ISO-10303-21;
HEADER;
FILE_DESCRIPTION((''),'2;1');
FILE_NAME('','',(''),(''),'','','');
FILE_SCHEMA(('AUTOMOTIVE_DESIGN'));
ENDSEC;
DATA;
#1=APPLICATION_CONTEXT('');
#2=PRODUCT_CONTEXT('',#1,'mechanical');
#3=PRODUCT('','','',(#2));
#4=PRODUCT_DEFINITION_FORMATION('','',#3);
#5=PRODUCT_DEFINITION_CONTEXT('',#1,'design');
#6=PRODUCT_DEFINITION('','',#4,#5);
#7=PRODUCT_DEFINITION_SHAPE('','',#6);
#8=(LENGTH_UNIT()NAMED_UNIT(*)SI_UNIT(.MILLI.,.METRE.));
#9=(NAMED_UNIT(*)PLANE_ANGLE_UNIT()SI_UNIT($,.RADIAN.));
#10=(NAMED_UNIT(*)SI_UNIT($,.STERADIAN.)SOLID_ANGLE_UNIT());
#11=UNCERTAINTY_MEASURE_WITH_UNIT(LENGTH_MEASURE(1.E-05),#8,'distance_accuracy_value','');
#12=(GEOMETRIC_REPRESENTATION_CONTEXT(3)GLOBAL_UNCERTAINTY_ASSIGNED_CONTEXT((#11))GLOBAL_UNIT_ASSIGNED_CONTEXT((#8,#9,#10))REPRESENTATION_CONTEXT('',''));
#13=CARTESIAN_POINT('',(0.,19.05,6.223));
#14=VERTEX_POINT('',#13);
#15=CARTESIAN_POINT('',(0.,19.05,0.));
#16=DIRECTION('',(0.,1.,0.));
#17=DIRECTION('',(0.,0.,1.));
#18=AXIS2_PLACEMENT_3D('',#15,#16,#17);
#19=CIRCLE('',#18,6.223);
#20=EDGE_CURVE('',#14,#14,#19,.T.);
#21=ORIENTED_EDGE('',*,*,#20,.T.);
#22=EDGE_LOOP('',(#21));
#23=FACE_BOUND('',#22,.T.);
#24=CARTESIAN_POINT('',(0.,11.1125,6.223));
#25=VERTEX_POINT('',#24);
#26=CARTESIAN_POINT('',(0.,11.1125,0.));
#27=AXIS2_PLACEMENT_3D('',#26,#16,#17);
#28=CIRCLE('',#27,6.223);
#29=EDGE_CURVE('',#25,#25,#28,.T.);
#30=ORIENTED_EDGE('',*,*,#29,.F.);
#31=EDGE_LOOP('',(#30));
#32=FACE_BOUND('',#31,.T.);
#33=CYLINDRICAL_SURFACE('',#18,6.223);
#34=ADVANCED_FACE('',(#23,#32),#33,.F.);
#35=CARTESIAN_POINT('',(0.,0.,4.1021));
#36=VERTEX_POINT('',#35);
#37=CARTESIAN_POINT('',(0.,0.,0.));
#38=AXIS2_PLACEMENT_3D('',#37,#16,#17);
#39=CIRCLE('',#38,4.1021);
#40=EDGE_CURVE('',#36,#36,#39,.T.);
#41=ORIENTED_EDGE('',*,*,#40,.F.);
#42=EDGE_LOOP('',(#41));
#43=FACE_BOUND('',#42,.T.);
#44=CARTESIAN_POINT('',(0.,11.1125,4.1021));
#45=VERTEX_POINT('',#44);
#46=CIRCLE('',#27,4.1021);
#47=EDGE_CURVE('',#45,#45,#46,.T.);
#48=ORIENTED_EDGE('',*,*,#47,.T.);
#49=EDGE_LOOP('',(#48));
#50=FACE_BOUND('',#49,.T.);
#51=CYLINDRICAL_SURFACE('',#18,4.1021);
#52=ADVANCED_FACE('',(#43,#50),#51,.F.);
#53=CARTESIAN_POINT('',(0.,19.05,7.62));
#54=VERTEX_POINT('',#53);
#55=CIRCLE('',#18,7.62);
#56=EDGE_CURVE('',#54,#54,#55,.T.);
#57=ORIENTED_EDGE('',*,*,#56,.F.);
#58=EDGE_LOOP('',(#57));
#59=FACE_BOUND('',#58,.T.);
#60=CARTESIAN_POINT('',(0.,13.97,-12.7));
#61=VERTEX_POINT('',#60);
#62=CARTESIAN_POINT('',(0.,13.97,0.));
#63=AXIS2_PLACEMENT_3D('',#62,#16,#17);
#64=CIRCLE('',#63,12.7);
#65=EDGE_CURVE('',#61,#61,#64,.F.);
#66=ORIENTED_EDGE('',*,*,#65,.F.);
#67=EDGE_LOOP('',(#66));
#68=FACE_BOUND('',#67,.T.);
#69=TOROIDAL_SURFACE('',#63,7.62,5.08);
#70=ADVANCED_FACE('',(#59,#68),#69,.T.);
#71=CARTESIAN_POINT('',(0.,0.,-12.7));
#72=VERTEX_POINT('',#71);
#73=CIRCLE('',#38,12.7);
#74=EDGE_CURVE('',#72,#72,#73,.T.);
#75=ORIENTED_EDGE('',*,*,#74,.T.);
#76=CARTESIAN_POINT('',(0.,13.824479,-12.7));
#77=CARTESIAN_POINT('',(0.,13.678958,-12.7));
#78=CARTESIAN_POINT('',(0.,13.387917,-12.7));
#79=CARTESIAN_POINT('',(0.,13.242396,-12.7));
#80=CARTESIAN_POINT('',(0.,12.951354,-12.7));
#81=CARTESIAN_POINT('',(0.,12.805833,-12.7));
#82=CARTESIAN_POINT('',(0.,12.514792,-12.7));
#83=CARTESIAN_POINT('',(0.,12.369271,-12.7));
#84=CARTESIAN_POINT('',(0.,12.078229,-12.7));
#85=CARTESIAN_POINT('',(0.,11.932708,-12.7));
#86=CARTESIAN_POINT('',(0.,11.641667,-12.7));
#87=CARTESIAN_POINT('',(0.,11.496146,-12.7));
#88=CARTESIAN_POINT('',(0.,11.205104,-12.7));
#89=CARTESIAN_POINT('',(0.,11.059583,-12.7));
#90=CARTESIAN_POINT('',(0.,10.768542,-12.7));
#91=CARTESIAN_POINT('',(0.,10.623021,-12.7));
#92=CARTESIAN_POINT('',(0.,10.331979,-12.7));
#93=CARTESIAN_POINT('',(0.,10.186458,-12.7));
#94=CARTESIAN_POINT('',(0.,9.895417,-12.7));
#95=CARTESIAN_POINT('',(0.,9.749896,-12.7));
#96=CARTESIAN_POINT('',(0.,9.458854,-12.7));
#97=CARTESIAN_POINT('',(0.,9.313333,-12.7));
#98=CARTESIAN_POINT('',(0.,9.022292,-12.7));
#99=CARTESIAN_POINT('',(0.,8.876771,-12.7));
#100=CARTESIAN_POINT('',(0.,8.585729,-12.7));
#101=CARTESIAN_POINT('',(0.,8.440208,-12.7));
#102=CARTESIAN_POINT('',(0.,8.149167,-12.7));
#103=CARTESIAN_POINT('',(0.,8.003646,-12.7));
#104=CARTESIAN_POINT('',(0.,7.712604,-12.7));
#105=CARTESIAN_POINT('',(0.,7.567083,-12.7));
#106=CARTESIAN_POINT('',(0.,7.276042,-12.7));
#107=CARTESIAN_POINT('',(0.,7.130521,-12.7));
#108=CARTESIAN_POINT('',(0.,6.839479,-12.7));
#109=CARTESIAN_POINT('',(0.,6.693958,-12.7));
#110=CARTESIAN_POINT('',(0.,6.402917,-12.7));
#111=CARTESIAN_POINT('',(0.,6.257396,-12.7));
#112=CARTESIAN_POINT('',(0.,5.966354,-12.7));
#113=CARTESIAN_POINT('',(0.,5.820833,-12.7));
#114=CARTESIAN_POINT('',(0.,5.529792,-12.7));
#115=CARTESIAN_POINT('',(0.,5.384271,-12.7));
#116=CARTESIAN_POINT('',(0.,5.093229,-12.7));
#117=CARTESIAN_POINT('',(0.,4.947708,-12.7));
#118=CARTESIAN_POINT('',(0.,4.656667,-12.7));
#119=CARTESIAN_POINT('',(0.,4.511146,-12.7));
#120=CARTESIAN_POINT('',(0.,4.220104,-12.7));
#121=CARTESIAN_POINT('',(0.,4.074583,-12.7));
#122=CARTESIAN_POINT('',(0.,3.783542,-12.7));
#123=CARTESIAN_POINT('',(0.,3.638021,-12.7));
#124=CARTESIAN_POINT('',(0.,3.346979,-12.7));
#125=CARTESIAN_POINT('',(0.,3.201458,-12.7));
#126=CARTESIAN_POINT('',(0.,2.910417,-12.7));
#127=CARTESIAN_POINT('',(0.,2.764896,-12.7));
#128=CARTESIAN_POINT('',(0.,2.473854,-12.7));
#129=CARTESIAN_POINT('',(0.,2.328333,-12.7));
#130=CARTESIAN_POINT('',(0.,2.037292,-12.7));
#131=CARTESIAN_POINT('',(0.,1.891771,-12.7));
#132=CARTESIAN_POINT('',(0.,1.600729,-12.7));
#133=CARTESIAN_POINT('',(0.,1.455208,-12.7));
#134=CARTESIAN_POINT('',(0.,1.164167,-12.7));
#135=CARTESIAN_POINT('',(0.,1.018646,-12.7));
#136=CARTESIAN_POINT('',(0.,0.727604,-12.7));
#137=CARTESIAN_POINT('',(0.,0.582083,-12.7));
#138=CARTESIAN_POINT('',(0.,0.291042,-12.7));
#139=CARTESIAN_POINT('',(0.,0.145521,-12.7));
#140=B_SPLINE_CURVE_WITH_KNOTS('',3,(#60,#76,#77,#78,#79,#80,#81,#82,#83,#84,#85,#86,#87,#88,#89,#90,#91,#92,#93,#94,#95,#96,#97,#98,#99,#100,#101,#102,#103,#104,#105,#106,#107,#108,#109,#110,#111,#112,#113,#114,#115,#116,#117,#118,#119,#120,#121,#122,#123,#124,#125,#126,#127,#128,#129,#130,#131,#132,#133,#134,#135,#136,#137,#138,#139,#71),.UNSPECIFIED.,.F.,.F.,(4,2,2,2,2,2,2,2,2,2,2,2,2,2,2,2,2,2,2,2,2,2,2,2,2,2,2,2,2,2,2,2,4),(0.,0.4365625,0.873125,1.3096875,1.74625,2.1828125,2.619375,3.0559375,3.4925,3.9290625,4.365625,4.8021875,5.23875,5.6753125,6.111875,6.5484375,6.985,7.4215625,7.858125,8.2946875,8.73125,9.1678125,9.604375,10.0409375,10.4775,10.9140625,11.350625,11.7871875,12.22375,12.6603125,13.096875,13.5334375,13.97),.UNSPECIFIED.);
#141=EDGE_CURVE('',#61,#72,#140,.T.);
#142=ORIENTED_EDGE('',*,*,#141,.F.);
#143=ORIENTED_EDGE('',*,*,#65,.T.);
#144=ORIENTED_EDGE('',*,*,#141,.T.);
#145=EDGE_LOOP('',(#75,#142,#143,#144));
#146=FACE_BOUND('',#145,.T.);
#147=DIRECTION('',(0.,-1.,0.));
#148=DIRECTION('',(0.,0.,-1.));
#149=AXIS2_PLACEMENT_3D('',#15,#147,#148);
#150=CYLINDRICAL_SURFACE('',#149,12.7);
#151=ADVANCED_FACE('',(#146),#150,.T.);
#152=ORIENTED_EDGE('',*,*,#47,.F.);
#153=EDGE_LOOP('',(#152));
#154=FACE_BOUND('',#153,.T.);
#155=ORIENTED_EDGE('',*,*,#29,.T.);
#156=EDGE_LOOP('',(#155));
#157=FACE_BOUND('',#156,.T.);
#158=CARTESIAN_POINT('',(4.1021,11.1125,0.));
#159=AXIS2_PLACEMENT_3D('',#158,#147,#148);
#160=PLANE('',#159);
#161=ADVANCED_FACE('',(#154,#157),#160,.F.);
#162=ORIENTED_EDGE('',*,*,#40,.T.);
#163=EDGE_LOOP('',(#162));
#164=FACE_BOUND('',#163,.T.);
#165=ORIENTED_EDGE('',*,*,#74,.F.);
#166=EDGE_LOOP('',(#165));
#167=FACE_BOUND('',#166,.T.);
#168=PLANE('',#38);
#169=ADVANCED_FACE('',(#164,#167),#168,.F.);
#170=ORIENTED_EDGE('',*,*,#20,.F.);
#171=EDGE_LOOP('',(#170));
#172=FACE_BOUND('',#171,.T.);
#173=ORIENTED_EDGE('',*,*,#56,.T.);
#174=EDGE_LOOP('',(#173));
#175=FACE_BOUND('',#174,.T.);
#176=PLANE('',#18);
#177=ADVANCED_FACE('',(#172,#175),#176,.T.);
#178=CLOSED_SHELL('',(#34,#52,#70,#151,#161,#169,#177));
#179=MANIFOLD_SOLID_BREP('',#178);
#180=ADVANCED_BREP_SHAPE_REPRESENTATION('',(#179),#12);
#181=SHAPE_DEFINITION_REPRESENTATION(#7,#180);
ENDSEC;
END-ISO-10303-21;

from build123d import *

# Parameters (mm, degrees)
CROQUIS1_R                                           = 12.7
SALIENTE_EXTRUIR1_DEPTH                              = 19.05
REFRENTADO_PARA_TORNILLO_CON_CABEZA_HUEC_D           = 8.2042
REFRENTADO_PARA_TORNILLO_CON_CABEZA_HUEC_DEPTH       = 19.7485
REFRENTADO_PARA_TORNILLO_CON_CABEZA_HUEC_CBORE_D     = 12.446
REFRENTADO_PARA_TORNILLO_CON_CABEZA_HUEC_CBORE_DEPTH = 7.9375
REFRENTADO_PARA_TORNILLO_CON_CABEZA_HUEC_TIP         = 2.464790345
REDONDEO1_R                                          = 5.08


with BuildPart() as part:
    # Croquis1 → Saliente-Extruir1 (new body)
    with BuildSketch(Plane(origin=(0, 0, 0), x_dir=(1, 0, 0), z_dir=(0, 1, 0))):
        with Locations(Location((0, 0, 0), (0, 0, 90))):
            Circle(CROQUIS1_R)
    extrude(amount=SALIENTE_EXTRUIR1_DEPTH)

    # Refrentado para tornillo con cabeza hueca de 5/161
    with Locations(Plane(origin=(0, 19.05, 0), x_dir=(1, 0, 0), z_dir=(0, 1, 0))):
        with Locations((0, 0)):
            CounterBoreHole(REFRENTADO_PARA_TORNILLO_CON_CABEZA_HUEC_D / 2, REFRENTADO_PARA_TORNILLO_CON_CABEZA_HUEC_CBORE_D / 2, REFRENTADO_PARA_TORNILLO_CON_CABEZA_HUEC_CBORE_DEPTH, depth=REFRENTADO_PARA_TORNILLO_CON_CABEZA_HUEC_DEPTH)
            with Locations((0, 0, -(REFRENTADO_PARA_TORNILLO_CON_CABEZA_HUEC_DEPTH + REFRENTADO_PARA_TORNILLO_CON_CABEZA_HUEC_TIP / 2))):  # 118° drill point
                Cone(0, REFRENTADO_PARA_TORNILLO_CON_CABEZA_HUEC_D / 2, REFRENTADO_PARA_TORNILLO_CON_CABEZA_HUEC_TIP, mode=Mode.SUBTRACT)

    # Redondeo1
    redondeo1_edges = [part.edges().sort_by_distance(p)[0] for p in [
        (0, 19.05, 12.7),
    ]]
    fillet(redondeo1_edges, radius=REDONDEO1_R)


solid = part.part
